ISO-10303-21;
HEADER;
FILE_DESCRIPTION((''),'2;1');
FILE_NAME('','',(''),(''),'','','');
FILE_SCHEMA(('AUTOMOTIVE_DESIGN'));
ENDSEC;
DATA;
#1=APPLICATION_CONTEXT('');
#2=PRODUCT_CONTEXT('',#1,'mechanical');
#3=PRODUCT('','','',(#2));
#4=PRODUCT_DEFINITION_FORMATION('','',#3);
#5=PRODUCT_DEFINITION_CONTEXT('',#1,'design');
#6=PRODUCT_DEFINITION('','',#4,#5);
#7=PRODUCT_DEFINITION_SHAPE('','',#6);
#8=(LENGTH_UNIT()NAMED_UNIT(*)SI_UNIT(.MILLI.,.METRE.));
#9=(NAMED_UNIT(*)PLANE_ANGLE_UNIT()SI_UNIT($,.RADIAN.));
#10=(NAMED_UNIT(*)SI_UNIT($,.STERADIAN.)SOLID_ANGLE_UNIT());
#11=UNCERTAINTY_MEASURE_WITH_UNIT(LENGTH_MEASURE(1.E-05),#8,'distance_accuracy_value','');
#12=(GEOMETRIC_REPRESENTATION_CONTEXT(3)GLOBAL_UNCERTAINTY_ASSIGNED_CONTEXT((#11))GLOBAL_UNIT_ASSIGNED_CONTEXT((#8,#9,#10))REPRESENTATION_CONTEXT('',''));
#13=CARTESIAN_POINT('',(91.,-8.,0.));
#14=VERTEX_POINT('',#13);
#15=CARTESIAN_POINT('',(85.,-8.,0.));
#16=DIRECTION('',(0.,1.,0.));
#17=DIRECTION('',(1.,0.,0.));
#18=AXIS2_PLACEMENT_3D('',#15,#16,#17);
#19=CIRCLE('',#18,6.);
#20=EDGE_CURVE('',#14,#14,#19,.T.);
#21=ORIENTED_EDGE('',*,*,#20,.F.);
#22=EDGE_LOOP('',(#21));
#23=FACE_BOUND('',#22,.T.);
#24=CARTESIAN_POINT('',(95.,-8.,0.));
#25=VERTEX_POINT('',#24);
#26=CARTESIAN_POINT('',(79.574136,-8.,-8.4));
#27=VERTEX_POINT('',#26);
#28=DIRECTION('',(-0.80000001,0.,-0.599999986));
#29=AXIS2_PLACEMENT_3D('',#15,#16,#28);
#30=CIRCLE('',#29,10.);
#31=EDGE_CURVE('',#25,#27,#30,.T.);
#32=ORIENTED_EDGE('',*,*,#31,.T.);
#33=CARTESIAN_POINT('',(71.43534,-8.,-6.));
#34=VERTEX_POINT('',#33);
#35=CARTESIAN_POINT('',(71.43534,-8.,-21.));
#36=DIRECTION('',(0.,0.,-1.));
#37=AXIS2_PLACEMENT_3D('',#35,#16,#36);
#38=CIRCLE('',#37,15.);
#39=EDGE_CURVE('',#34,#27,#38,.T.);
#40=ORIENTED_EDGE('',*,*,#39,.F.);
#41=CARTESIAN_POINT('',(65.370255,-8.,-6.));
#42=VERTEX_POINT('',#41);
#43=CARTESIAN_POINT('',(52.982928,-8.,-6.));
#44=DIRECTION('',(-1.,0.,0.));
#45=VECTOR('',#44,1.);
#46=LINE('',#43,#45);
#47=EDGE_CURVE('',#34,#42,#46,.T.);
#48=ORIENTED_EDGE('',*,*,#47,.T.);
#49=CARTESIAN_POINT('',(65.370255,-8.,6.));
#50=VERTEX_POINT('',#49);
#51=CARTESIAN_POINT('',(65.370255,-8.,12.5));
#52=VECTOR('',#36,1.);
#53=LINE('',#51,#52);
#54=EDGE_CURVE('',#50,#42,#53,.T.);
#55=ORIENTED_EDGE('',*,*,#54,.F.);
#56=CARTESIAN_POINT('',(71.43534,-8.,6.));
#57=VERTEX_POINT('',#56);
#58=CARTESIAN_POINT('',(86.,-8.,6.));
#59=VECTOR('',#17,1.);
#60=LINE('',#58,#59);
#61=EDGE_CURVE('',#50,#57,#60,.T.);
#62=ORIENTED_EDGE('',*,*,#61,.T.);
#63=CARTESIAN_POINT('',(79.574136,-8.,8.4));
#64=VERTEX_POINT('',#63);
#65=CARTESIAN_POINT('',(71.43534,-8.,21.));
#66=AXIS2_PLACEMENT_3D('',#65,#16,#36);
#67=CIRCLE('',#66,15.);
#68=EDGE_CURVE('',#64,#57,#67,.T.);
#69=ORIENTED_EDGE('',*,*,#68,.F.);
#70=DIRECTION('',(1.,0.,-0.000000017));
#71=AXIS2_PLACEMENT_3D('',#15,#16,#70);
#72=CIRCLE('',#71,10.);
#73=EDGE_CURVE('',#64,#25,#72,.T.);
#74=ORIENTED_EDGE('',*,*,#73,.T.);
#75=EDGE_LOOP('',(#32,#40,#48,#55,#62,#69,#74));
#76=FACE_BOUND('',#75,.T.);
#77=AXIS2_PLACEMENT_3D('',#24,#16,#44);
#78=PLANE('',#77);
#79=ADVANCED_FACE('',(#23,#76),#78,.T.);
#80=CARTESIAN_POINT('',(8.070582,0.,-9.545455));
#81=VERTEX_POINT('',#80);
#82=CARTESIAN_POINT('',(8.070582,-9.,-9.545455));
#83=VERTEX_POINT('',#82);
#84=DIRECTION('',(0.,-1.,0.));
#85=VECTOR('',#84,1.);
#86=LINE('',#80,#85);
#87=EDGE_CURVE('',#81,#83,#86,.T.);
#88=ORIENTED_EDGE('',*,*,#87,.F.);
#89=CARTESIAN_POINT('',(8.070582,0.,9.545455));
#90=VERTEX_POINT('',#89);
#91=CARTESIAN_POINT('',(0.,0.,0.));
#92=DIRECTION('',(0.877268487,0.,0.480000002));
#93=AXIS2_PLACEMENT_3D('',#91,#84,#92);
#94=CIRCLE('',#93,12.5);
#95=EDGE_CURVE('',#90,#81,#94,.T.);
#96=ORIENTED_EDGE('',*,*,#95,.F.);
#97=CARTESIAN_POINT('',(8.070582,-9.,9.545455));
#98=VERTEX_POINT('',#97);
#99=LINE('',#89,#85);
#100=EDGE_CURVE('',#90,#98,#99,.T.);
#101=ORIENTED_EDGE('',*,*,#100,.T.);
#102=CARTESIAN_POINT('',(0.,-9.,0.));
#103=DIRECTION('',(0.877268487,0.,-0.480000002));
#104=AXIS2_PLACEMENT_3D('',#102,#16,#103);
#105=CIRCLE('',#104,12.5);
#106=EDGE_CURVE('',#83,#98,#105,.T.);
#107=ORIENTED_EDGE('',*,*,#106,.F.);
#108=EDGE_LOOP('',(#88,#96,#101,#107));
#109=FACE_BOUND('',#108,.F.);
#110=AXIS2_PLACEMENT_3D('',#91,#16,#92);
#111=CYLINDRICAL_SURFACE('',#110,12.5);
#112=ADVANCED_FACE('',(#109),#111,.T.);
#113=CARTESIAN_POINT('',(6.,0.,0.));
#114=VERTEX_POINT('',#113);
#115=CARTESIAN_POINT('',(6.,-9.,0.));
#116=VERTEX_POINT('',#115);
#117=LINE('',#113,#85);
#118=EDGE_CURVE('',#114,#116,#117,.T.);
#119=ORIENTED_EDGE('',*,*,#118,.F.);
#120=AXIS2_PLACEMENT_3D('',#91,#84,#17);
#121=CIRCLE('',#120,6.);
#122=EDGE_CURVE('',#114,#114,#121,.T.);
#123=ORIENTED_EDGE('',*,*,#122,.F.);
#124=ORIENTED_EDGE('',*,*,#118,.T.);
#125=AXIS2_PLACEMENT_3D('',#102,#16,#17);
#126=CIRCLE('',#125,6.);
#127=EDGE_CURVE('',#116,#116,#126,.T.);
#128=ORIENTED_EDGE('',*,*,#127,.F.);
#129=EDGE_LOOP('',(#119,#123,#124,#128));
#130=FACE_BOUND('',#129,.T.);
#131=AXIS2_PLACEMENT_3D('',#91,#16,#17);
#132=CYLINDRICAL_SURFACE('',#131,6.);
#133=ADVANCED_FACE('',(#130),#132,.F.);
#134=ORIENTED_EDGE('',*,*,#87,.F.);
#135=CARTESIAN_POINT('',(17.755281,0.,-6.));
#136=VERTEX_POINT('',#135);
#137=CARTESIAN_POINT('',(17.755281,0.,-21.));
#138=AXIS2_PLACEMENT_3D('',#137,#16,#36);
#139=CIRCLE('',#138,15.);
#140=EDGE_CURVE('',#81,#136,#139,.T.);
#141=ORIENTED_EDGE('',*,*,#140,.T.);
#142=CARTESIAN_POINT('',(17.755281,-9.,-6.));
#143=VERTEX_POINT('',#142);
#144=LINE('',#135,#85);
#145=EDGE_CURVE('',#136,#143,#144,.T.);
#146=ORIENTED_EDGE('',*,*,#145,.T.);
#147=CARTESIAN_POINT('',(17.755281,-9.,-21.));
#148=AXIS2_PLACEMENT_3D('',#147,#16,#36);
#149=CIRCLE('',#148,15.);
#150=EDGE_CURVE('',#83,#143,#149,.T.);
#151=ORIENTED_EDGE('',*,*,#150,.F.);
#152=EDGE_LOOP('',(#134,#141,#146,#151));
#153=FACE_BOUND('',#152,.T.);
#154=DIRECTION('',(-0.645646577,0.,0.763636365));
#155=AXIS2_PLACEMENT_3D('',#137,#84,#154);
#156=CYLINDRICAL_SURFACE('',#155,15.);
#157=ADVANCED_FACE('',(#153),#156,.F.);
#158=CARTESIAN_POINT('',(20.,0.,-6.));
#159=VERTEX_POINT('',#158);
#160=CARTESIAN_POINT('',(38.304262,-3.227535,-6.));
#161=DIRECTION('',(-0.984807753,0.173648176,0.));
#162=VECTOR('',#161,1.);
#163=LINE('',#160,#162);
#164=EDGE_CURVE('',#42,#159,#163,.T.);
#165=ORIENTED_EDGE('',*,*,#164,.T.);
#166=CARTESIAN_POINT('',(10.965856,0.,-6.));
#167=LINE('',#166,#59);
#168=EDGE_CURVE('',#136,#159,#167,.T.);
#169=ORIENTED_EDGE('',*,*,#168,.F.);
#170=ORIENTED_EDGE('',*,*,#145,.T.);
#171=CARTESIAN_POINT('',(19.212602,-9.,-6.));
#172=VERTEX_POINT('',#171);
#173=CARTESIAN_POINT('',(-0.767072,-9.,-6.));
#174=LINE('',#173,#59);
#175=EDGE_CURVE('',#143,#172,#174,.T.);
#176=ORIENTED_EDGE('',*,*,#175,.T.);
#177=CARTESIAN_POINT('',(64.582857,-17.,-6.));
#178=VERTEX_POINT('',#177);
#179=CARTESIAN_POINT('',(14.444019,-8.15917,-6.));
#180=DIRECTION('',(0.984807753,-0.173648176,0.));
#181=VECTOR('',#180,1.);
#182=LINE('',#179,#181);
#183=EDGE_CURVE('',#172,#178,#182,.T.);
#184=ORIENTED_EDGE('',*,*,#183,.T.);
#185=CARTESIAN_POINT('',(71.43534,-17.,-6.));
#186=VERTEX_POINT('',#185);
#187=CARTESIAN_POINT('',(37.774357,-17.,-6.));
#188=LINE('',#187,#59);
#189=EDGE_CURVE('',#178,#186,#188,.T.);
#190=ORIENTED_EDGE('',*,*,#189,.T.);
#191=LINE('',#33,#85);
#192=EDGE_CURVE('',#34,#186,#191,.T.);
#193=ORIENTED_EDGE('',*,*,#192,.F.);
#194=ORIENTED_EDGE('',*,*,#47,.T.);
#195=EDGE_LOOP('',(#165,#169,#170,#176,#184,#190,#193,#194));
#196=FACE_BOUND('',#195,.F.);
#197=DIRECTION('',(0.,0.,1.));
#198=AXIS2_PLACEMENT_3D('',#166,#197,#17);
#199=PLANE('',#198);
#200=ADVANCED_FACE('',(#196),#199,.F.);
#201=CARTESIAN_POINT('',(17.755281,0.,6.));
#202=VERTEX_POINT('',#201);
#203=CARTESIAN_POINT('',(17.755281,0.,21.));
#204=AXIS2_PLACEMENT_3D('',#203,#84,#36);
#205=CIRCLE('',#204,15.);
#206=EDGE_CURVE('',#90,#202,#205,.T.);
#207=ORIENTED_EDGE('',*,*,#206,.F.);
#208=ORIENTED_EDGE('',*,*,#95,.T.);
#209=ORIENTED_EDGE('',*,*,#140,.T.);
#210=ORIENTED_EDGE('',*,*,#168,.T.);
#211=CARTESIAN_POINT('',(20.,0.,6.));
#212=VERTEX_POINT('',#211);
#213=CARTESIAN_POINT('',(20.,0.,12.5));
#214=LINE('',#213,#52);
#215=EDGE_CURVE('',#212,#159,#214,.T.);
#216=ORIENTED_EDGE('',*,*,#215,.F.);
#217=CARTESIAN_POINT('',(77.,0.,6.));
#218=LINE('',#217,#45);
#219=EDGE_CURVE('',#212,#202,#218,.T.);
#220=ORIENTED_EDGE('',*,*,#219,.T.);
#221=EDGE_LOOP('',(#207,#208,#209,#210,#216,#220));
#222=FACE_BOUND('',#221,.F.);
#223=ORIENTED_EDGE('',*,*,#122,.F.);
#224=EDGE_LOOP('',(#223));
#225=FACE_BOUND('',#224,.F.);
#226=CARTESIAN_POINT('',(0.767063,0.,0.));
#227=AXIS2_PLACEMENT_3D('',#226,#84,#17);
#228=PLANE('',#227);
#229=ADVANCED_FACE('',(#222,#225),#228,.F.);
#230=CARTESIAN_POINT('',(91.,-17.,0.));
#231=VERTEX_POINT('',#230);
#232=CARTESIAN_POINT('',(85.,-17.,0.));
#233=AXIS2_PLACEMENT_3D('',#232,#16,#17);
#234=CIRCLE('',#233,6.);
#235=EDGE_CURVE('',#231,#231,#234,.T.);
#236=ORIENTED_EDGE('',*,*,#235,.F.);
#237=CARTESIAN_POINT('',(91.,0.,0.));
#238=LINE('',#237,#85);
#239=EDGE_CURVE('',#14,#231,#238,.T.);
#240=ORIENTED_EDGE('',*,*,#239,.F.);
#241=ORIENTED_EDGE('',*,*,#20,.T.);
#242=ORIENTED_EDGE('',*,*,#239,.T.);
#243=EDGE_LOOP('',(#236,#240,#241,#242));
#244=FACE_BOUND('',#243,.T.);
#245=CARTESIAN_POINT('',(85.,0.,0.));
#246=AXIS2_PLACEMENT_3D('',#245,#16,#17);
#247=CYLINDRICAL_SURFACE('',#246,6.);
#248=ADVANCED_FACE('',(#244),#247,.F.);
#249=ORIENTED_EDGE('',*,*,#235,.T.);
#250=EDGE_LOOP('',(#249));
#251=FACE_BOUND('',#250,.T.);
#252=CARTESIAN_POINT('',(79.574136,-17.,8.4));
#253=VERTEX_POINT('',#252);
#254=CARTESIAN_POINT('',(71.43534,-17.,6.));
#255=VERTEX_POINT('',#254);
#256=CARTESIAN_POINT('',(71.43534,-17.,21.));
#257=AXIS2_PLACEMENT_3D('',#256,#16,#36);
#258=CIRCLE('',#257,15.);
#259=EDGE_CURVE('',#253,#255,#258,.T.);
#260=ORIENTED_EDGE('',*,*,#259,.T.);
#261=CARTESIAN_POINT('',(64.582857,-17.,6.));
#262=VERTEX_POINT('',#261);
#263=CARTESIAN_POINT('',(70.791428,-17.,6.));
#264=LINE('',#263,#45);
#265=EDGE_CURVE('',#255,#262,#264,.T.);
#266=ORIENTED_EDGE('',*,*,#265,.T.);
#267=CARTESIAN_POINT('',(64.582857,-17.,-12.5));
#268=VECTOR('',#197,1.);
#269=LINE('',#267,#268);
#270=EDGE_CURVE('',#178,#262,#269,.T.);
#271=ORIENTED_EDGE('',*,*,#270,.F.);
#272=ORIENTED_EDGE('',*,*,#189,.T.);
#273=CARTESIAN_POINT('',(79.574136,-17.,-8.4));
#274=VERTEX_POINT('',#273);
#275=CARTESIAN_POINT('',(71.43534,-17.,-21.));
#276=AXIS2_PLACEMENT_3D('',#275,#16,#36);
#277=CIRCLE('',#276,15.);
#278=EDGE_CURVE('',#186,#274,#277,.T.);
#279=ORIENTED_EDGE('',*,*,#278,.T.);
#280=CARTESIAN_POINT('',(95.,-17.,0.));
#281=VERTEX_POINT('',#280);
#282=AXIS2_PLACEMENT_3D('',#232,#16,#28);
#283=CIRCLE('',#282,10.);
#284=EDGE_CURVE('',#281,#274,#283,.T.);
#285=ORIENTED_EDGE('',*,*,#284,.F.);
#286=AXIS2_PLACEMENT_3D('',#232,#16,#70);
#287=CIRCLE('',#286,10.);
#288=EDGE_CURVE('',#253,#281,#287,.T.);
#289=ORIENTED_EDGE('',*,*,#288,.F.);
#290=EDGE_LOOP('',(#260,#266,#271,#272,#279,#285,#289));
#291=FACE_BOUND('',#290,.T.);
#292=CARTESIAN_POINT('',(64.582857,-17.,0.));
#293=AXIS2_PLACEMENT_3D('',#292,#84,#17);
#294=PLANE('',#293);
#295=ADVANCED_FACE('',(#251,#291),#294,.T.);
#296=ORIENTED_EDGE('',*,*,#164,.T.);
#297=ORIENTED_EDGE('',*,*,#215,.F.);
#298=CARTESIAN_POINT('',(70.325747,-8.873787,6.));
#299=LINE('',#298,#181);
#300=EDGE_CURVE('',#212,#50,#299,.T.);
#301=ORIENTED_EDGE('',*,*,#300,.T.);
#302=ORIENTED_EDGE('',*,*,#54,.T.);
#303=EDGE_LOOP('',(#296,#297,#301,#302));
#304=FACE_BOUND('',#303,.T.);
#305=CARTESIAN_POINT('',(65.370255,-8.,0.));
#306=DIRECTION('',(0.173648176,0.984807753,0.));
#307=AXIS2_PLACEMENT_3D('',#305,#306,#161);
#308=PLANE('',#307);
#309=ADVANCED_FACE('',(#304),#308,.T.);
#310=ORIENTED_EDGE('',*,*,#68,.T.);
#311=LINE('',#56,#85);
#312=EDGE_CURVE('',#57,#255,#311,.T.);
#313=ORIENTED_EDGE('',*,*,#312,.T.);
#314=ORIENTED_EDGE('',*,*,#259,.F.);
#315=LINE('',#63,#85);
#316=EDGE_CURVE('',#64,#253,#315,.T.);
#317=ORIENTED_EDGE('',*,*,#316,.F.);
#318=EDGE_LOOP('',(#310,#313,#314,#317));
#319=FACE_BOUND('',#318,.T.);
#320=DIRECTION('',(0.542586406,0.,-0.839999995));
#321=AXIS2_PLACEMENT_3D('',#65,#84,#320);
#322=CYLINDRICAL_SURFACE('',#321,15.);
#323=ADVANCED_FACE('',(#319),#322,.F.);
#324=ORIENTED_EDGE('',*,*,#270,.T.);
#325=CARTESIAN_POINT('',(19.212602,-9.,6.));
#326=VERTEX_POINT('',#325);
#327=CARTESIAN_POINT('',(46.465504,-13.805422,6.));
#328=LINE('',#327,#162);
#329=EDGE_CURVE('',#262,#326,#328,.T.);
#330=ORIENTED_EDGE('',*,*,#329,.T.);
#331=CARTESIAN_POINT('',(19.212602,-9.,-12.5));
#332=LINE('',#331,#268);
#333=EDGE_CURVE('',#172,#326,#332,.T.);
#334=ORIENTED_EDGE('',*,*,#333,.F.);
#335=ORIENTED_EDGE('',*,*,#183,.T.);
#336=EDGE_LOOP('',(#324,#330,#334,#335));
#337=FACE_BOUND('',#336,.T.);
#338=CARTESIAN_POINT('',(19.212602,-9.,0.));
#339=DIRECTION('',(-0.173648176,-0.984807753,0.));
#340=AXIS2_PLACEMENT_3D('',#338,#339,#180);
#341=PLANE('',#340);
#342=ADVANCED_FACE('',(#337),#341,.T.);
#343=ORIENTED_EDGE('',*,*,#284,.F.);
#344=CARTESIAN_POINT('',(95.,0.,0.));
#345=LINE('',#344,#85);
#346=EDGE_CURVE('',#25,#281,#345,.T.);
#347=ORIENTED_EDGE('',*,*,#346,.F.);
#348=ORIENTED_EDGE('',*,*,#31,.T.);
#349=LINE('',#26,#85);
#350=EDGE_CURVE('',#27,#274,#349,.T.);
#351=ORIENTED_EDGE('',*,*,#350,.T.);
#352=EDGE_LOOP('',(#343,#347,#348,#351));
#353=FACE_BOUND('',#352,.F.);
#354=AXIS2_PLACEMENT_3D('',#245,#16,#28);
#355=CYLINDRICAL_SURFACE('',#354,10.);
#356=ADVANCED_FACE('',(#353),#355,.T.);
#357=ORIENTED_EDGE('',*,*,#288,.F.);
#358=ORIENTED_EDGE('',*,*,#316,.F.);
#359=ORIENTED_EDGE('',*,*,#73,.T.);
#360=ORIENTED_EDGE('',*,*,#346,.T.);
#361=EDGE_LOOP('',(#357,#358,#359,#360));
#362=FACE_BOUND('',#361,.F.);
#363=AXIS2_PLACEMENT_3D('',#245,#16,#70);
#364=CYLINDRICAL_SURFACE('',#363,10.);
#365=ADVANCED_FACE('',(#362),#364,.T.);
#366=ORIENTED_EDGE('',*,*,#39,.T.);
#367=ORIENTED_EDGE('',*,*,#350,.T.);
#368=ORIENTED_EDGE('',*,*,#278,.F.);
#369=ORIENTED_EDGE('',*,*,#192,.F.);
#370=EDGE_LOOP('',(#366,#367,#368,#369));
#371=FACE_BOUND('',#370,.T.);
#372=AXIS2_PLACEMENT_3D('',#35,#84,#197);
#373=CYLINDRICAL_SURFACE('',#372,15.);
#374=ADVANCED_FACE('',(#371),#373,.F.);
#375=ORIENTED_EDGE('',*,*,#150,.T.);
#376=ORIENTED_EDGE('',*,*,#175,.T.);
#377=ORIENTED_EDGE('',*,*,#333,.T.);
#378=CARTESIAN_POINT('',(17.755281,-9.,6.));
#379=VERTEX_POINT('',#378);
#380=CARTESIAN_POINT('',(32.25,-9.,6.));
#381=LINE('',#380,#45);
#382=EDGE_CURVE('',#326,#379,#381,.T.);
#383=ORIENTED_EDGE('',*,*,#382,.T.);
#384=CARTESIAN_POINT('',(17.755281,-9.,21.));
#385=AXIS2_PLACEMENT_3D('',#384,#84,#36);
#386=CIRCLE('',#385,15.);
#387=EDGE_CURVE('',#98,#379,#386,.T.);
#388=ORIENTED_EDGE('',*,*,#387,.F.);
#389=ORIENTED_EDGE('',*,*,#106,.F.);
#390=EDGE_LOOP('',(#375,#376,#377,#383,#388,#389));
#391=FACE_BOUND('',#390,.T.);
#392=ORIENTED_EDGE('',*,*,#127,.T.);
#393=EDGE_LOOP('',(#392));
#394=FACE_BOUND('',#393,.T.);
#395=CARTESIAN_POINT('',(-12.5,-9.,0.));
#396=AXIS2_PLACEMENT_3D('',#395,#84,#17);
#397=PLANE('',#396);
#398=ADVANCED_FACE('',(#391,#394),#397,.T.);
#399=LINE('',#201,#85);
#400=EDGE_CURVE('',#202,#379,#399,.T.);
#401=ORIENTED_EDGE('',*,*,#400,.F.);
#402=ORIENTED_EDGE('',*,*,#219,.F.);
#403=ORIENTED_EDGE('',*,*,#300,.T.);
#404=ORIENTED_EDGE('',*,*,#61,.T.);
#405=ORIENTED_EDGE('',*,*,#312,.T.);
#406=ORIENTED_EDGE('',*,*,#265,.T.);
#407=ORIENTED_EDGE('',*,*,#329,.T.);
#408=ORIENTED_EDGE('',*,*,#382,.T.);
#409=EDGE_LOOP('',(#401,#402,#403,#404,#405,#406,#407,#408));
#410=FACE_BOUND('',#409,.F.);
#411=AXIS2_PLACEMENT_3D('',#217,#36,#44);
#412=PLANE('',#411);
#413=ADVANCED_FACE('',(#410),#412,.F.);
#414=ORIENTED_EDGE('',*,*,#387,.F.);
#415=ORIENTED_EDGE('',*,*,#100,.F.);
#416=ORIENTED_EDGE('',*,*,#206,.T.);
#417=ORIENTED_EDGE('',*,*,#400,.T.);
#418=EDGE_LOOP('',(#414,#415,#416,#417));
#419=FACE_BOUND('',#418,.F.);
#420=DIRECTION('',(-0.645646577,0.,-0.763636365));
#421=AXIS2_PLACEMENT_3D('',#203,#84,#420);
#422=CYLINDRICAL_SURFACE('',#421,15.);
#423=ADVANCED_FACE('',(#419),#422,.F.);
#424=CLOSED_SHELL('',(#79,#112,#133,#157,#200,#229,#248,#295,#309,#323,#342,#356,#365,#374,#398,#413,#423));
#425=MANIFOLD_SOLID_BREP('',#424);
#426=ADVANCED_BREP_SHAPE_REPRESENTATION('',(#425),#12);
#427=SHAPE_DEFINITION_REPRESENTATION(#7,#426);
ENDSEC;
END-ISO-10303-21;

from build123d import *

# Parameters (mm, degrees)
F0_R     = 6
F1_DEPTH = 25
F3_DEPTH = 12.5
F4_R     = 15


with BuildPart() as f1:
    # F0 (on Front) → F1 (new body)
    with BuildSketch(Plane.XZ):
        with BuildLine():
            ThreePointArc((10.965856, -6), (12.110392, -3.096514), (12.5, 0))
            ThreePointArc((12.5, 0), (12.110392, 3.096514), (10.965856, 6))
            ThreePointArc((10.965856, 6), (-12.5, 0), (10.965856, -6))
        make_face()
        Circle(F0_R, mode=Mode.SUBTRACT)
        with BuildLine():
            ThreePointArc((10.965856, 6), (12.110392, 3.096514), (12.5, 0))
            ThreePointArc((12.5, 0), (12.110392, -3.096514), (10.965856, -6))
            Line((10.965856, -6), (77, -6))
            ThreePointArc((77, -6), (75, 0), (77, 6))
            Line((77, 6), (10.965856, 6))
        make_face()
        with BuildLine():
            ThreePointArc((95, 0), (88.162278, 9.486833), (77, 6))
            ThreePointArc((77, 6), (75, 0), (77, -6))
            ThreePointArc((77, -6), (88.162278, -9.486833), (95, 0))
        make_face()
        with Locations((85, 0)):
            Circle(F0_R, mode=Mode.SUBTRACT)
    extrude(amount=F1_DEPTH)

    # F2 (on Top) → F3 (intersect, symmetric)
    with BuildSketch(Plane.XY):
        Polygon((0, 0), (-12.5, 0), (-12.5, -9), (0, -9), (19.212602, -9), (64.582857, -17), (95, -17), (95, -8), (65.370255, -8), (20, 0), align=None)
    extrude(amount=F3_DEPTH, both=True, mode=Mode.INTERSECT)

    # F4
    f4_edges = [f1.edges().sort_by_distance(p)[0] for p in [
        (10.965856, -4.5, -6),
        (10.965856, -4.5, 6),
        (77, -12.5, 6),
        (77, -12.5, -6),
    ]]
    fillet(f4_edges, radius=F4_R)


solid = f1.part
